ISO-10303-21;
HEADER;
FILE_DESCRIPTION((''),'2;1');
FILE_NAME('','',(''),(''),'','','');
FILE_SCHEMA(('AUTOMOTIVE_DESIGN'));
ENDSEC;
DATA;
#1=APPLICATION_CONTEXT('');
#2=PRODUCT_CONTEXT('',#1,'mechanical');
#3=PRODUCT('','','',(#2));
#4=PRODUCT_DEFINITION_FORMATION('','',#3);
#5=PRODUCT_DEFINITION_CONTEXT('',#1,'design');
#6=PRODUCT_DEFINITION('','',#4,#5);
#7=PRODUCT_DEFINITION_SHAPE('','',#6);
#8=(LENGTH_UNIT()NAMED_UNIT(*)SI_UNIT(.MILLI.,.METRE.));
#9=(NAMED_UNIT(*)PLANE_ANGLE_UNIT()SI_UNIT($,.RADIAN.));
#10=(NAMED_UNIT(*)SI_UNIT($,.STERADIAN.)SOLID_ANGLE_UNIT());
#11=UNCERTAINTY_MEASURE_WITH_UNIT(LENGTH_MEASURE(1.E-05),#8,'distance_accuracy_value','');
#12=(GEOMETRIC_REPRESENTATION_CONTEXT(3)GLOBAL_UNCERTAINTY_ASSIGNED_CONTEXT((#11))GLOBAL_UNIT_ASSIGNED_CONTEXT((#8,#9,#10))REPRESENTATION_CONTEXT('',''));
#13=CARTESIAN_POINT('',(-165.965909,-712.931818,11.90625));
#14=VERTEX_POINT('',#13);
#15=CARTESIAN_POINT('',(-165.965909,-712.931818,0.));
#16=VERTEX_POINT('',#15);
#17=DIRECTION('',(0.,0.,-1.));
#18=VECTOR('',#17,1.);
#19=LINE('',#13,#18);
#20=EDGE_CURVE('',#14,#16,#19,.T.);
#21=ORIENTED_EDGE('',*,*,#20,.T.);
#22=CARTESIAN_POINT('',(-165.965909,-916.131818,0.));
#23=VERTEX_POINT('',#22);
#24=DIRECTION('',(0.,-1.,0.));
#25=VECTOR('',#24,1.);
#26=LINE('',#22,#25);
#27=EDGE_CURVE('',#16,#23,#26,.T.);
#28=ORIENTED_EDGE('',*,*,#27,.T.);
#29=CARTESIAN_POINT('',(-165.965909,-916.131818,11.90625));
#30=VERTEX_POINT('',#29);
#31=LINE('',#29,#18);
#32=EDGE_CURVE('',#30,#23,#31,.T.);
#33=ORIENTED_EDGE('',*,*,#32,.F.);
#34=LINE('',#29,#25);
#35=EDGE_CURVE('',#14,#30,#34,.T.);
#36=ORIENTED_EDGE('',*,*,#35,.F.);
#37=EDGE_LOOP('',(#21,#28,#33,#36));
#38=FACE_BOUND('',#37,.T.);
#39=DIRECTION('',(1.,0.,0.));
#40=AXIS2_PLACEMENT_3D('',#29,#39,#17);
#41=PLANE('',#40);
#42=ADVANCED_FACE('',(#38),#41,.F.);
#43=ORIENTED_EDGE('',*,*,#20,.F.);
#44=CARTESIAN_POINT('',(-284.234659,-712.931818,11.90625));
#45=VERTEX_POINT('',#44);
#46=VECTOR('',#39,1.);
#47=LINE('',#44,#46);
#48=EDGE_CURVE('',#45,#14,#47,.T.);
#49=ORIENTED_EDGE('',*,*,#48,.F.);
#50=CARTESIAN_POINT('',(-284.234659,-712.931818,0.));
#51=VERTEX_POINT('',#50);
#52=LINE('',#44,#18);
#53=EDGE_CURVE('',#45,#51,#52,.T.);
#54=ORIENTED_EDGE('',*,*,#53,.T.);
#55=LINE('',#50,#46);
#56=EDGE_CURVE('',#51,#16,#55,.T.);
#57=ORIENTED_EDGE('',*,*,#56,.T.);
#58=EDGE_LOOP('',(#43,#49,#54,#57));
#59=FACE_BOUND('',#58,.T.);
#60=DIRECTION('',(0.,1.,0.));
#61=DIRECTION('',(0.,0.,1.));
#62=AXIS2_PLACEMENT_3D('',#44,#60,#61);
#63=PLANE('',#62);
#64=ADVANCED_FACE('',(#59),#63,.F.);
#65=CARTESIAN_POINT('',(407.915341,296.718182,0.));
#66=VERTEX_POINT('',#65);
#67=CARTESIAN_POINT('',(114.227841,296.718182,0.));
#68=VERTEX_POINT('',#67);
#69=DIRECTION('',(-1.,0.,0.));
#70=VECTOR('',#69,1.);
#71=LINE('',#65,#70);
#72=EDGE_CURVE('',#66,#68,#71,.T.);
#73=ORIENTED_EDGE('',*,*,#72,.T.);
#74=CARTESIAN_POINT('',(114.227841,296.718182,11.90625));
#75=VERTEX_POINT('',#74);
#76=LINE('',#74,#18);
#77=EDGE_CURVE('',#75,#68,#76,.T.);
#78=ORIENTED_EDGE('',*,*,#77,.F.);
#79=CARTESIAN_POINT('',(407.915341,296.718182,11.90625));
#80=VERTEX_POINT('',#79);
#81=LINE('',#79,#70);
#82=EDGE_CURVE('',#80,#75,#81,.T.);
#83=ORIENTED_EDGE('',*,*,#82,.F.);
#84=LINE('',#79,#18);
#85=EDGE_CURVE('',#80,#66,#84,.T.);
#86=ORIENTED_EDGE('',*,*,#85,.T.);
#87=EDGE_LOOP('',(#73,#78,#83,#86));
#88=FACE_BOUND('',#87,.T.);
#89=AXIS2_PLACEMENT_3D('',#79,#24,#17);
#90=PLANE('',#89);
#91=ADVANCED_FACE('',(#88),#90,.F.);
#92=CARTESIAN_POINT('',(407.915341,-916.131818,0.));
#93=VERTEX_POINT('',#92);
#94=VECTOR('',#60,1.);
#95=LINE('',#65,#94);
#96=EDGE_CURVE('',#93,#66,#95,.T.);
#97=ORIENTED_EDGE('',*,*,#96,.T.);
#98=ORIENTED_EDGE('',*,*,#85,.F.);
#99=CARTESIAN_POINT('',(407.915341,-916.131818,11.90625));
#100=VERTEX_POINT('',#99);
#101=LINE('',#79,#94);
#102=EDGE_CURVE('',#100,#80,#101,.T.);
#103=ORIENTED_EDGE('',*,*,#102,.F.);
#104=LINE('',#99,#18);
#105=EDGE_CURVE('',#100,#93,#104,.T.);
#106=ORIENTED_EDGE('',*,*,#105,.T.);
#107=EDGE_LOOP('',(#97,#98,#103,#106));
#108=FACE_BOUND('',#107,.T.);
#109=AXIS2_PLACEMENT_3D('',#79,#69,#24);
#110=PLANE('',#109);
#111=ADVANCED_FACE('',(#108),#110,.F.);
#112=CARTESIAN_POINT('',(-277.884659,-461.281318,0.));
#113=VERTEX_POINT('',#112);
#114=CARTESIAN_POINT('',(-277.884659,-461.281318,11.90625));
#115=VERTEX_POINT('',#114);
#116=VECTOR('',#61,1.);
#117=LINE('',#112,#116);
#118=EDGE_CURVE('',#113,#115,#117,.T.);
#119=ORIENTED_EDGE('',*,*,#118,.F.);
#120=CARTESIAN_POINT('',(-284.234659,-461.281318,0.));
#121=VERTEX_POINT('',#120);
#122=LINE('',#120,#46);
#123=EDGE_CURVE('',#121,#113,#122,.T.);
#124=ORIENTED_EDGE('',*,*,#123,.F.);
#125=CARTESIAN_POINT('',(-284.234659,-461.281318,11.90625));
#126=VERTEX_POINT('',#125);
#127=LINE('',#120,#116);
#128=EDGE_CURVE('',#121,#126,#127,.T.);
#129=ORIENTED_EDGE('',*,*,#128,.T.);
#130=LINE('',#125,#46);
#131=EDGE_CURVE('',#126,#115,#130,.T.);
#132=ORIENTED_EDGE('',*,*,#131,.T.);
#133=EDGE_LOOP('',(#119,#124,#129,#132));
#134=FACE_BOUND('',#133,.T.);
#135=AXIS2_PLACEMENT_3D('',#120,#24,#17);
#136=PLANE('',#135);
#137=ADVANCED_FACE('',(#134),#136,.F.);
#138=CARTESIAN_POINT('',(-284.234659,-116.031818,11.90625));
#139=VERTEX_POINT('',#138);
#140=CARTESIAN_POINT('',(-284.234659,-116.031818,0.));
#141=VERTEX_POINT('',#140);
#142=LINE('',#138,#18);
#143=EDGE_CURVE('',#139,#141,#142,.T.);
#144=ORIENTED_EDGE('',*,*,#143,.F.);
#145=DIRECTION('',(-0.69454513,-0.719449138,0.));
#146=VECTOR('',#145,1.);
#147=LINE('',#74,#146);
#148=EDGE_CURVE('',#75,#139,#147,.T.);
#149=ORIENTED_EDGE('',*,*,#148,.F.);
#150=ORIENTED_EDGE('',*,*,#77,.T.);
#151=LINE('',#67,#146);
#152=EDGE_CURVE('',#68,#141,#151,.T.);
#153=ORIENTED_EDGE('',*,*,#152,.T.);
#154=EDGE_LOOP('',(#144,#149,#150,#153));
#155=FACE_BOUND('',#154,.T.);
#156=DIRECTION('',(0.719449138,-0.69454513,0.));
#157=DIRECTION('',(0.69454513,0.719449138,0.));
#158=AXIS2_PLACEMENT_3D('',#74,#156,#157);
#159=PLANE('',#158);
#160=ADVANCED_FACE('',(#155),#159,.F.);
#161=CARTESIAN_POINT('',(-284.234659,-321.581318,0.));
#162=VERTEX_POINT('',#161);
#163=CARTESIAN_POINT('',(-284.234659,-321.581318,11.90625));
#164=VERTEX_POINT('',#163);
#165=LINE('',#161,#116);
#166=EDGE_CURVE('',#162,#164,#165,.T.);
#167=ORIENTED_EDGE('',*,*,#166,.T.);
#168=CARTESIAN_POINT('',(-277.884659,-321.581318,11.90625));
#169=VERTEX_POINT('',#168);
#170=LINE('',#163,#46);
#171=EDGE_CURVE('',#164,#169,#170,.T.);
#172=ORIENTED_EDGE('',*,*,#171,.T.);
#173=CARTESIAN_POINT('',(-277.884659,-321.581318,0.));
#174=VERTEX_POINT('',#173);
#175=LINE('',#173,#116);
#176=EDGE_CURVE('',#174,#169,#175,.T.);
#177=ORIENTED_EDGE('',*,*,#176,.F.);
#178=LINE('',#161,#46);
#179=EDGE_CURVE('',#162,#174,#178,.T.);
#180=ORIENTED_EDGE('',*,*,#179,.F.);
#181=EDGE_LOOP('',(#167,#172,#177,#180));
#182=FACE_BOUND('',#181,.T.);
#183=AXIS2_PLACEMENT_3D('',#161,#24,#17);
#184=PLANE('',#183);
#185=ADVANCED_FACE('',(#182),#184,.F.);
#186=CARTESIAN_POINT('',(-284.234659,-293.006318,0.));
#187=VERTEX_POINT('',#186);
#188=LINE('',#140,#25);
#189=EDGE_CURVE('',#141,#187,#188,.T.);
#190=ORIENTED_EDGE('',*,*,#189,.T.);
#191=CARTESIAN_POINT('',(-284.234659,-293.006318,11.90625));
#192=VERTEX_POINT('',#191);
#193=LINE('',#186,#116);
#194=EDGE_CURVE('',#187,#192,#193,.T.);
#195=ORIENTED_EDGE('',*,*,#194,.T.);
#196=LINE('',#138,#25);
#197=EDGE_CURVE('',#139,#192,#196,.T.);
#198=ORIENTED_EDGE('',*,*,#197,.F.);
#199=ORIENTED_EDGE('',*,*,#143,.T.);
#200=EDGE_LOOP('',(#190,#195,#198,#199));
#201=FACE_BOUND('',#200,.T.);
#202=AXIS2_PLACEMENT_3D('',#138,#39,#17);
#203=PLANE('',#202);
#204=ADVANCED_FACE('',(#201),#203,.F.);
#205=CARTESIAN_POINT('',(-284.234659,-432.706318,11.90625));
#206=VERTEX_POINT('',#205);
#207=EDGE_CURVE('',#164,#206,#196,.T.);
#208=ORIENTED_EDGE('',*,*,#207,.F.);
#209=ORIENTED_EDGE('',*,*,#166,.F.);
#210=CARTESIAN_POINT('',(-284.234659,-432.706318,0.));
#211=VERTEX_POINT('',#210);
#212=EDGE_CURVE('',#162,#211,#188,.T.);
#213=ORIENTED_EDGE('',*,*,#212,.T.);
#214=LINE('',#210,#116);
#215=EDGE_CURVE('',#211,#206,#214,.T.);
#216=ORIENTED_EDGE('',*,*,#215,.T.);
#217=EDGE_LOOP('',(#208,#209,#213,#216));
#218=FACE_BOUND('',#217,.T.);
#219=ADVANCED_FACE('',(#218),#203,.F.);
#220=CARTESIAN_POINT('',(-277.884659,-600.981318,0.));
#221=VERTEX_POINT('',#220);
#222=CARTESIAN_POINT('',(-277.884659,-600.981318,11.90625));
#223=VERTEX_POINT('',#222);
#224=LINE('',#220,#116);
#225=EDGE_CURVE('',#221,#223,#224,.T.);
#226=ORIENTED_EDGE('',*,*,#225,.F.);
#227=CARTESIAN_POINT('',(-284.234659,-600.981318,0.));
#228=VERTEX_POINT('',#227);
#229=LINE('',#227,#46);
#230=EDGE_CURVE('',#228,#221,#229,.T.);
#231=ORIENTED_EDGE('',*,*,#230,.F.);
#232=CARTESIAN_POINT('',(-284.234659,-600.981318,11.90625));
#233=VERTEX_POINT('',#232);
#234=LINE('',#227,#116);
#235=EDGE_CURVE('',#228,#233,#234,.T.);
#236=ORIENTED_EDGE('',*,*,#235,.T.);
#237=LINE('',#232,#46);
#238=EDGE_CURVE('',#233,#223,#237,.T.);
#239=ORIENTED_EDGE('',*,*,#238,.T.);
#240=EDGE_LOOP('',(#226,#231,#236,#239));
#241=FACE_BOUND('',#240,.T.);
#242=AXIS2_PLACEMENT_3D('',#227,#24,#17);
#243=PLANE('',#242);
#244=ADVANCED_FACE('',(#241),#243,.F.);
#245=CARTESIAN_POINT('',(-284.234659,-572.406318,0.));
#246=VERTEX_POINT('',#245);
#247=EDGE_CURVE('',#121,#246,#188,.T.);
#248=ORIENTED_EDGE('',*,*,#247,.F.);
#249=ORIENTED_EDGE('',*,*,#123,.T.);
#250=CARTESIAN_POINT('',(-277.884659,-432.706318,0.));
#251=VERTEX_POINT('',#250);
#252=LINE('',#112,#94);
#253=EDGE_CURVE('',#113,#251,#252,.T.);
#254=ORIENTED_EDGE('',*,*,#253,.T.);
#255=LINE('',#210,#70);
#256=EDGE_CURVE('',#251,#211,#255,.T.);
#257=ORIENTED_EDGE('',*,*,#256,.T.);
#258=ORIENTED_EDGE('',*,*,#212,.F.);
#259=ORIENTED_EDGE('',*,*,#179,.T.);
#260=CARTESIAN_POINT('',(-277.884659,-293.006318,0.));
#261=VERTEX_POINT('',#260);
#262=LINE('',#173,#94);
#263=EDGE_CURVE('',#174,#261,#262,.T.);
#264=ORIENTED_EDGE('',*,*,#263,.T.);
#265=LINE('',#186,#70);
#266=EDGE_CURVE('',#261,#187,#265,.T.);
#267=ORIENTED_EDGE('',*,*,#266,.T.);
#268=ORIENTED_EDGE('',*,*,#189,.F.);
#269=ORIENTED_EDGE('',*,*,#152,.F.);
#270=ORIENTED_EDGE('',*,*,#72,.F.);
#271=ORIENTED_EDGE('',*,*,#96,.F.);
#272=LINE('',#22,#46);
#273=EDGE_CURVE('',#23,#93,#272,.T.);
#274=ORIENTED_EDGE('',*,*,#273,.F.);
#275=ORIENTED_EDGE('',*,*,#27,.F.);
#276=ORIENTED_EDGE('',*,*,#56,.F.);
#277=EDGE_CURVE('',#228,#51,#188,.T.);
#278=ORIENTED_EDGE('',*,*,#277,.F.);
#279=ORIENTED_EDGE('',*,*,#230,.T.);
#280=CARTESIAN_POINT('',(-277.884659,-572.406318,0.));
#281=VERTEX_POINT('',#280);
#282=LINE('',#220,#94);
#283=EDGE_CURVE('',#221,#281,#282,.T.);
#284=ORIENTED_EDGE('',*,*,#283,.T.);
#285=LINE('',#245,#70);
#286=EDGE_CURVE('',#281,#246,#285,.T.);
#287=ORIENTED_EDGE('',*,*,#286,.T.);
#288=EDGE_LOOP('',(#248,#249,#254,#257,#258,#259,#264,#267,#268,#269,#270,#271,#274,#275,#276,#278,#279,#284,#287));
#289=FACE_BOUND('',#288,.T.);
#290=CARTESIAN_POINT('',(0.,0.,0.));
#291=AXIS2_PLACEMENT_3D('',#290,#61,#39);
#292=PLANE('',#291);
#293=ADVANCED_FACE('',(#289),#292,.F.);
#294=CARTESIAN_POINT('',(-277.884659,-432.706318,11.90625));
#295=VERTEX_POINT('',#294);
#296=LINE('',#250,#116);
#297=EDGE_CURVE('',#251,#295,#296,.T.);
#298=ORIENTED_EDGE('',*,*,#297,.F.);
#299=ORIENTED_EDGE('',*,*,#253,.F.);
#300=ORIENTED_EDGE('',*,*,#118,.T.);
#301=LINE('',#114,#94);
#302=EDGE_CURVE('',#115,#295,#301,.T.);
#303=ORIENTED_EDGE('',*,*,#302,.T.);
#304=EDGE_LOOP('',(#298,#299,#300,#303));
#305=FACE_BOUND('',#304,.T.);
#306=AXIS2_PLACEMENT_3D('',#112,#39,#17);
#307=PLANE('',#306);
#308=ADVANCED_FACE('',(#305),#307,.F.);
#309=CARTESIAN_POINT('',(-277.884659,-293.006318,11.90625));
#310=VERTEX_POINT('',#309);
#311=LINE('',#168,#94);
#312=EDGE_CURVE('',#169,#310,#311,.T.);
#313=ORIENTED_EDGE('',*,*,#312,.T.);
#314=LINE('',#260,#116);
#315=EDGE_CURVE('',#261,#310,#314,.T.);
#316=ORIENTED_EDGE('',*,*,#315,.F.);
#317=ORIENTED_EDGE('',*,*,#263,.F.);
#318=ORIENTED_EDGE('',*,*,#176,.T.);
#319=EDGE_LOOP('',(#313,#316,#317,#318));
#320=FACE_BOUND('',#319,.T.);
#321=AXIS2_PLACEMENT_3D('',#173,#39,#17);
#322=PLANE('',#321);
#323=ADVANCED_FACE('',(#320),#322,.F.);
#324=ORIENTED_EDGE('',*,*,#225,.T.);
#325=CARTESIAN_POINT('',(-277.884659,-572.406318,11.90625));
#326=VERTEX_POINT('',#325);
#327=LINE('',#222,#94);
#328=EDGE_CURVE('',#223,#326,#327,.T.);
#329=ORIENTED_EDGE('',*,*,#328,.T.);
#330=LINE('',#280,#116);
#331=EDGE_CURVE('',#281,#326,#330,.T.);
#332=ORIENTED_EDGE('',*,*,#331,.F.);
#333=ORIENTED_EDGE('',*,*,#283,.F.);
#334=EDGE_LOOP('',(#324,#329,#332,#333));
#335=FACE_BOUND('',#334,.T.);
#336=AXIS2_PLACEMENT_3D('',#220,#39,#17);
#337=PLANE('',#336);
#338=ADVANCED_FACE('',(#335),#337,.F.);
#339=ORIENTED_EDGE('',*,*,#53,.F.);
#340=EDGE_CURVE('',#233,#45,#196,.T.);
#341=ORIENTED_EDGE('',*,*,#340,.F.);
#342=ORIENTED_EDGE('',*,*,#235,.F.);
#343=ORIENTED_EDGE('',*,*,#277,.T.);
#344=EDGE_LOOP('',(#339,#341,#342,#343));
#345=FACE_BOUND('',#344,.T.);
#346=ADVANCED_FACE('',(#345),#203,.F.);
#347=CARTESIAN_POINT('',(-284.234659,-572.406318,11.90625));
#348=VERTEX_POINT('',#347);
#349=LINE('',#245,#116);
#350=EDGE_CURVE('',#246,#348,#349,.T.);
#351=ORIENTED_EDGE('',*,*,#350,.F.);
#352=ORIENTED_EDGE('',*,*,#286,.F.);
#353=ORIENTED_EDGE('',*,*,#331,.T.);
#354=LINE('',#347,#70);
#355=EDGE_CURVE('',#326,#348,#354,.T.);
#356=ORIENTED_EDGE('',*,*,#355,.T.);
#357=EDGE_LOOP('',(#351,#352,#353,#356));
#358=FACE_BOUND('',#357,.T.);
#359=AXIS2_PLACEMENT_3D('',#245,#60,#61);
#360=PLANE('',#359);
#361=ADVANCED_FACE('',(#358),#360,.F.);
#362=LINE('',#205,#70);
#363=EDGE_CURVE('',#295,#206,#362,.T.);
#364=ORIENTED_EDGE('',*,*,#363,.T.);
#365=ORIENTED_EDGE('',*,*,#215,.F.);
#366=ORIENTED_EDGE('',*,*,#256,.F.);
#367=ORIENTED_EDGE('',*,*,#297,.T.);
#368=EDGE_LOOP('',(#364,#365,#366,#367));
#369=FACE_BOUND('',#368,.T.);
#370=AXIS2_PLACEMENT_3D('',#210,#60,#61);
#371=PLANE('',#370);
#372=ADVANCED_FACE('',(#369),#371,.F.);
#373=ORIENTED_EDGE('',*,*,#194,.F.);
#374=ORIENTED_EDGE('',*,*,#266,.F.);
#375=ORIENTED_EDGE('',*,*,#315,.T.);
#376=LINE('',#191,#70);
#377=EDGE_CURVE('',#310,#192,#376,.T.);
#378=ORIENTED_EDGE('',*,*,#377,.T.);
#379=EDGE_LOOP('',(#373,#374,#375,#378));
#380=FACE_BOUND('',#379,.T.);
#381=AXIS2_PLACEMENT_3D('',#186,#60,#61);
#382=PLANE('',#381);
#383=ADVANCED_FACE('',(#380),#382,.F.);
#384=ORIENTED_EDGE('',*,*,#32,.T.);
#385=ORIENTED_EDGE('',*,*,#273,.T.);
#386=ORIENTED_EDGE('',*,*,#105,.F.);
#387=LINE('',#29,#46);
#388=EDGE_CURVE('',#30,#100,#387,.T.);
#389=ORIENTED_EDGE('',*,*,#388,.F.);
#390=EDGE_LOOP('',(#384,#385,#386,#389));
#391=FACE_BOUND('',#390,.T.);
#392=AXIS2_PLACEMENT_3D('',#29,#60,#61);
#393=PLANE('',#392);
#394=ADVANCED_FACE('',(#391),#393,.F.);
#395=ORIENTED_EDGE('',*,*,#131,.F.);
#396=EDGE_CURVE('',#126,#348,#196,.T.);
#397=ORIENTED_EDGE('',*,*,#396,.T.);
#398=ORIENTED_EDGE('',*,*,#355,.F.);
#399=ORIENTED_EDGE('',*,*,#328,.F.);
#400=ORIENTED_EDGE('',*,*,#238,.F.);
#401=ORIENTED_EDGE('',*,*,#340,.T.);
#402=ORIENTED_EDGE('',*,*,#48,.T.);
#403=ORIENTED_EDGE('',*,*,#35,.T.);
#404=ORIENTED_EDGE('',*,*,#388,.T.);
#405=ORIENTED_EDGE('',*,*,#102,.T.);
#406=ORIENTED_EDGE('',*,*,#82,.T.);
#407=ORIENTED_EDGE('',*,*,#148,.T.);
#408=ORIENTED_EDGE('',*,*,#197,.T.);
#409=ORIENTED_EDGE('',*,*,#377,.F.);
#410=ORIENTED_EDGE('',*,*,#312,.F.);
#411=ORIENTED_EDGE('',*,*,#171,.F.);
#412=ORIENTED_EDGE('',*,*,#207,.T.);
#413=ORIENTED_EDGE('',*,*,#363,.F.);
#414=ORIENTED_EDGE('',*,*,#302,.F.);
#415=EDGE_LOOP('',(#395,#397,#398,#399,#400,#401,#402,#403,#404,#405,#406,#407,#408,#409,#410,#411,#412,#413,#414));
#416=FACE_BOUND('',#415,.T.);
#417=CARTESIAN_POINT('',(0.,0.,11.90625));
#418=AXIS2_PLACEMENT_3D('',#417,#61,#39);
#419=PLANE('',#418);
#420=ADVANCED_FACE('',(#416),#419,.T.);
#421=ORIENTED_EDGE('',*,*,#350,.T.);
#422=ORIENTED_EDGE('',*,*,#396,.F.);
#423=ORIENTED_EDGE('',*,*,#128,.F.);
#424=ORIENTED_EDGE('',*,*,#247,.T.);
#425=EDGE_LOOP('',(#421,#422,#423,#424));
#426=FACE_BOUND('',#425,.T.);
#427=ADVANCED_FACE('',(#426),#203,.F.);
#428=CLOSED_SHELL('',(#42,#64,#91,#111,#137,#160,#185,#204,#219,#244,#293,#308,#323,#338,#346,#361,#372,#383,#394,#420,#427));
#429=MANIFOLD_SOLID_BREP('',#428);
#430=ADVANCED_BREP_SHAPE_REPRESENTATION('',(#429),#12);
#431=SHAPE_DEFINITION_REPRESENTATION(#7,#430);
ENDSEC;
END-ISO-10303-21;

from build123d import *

# Parameters (mm, degrees)
BOSS_EXTRUDE1_DEPTH = 11.90625
SKETCH2_W           = 6.35
SKETCH2_H           = 28.575
CUT_EXTRUDE1_DEPTH  = 12.90625


with BuildPart() as part:
    # Sketch1 → Boss-Extrude1 (new body)
    with BuildSketch(Plane.XY):
        Polygon((-284.234659091, -116.031818182), (-284.234659091, -712.931818182), (-165.965909091, -712.931818182), (-165.965909091, -916.131818182), (407.915340909, -916.131818182), (407.915340909, 296.718181818), (114.227840909, 296.718181818), align=None)
    extrude(amount=BOSS_EXTRUDE1_DEPTH)

    # Sketch2 → Cut-Extrude1 (cut, through all)
    with BuildSketch(Plane.XY.offset(11.90625)):
        with Locations((-281.059659091, -586.693818182)):
            Rectangle(SKETCH2_W, SKETCH2_H)
        with Locations((-281.059659091, -446.993818182)):
            Rectangle(SKETCH2_W, SKETCH2_H)
        with Locations((-281.059659091, -307.293818182)):
            Rectangle(SKETCH2_W, SKETCH2_H)
    extrude(amount=-CUT_EXTRUDE1_DEPTH, mode=Mode.SUBTRACT)


solid = part.part
